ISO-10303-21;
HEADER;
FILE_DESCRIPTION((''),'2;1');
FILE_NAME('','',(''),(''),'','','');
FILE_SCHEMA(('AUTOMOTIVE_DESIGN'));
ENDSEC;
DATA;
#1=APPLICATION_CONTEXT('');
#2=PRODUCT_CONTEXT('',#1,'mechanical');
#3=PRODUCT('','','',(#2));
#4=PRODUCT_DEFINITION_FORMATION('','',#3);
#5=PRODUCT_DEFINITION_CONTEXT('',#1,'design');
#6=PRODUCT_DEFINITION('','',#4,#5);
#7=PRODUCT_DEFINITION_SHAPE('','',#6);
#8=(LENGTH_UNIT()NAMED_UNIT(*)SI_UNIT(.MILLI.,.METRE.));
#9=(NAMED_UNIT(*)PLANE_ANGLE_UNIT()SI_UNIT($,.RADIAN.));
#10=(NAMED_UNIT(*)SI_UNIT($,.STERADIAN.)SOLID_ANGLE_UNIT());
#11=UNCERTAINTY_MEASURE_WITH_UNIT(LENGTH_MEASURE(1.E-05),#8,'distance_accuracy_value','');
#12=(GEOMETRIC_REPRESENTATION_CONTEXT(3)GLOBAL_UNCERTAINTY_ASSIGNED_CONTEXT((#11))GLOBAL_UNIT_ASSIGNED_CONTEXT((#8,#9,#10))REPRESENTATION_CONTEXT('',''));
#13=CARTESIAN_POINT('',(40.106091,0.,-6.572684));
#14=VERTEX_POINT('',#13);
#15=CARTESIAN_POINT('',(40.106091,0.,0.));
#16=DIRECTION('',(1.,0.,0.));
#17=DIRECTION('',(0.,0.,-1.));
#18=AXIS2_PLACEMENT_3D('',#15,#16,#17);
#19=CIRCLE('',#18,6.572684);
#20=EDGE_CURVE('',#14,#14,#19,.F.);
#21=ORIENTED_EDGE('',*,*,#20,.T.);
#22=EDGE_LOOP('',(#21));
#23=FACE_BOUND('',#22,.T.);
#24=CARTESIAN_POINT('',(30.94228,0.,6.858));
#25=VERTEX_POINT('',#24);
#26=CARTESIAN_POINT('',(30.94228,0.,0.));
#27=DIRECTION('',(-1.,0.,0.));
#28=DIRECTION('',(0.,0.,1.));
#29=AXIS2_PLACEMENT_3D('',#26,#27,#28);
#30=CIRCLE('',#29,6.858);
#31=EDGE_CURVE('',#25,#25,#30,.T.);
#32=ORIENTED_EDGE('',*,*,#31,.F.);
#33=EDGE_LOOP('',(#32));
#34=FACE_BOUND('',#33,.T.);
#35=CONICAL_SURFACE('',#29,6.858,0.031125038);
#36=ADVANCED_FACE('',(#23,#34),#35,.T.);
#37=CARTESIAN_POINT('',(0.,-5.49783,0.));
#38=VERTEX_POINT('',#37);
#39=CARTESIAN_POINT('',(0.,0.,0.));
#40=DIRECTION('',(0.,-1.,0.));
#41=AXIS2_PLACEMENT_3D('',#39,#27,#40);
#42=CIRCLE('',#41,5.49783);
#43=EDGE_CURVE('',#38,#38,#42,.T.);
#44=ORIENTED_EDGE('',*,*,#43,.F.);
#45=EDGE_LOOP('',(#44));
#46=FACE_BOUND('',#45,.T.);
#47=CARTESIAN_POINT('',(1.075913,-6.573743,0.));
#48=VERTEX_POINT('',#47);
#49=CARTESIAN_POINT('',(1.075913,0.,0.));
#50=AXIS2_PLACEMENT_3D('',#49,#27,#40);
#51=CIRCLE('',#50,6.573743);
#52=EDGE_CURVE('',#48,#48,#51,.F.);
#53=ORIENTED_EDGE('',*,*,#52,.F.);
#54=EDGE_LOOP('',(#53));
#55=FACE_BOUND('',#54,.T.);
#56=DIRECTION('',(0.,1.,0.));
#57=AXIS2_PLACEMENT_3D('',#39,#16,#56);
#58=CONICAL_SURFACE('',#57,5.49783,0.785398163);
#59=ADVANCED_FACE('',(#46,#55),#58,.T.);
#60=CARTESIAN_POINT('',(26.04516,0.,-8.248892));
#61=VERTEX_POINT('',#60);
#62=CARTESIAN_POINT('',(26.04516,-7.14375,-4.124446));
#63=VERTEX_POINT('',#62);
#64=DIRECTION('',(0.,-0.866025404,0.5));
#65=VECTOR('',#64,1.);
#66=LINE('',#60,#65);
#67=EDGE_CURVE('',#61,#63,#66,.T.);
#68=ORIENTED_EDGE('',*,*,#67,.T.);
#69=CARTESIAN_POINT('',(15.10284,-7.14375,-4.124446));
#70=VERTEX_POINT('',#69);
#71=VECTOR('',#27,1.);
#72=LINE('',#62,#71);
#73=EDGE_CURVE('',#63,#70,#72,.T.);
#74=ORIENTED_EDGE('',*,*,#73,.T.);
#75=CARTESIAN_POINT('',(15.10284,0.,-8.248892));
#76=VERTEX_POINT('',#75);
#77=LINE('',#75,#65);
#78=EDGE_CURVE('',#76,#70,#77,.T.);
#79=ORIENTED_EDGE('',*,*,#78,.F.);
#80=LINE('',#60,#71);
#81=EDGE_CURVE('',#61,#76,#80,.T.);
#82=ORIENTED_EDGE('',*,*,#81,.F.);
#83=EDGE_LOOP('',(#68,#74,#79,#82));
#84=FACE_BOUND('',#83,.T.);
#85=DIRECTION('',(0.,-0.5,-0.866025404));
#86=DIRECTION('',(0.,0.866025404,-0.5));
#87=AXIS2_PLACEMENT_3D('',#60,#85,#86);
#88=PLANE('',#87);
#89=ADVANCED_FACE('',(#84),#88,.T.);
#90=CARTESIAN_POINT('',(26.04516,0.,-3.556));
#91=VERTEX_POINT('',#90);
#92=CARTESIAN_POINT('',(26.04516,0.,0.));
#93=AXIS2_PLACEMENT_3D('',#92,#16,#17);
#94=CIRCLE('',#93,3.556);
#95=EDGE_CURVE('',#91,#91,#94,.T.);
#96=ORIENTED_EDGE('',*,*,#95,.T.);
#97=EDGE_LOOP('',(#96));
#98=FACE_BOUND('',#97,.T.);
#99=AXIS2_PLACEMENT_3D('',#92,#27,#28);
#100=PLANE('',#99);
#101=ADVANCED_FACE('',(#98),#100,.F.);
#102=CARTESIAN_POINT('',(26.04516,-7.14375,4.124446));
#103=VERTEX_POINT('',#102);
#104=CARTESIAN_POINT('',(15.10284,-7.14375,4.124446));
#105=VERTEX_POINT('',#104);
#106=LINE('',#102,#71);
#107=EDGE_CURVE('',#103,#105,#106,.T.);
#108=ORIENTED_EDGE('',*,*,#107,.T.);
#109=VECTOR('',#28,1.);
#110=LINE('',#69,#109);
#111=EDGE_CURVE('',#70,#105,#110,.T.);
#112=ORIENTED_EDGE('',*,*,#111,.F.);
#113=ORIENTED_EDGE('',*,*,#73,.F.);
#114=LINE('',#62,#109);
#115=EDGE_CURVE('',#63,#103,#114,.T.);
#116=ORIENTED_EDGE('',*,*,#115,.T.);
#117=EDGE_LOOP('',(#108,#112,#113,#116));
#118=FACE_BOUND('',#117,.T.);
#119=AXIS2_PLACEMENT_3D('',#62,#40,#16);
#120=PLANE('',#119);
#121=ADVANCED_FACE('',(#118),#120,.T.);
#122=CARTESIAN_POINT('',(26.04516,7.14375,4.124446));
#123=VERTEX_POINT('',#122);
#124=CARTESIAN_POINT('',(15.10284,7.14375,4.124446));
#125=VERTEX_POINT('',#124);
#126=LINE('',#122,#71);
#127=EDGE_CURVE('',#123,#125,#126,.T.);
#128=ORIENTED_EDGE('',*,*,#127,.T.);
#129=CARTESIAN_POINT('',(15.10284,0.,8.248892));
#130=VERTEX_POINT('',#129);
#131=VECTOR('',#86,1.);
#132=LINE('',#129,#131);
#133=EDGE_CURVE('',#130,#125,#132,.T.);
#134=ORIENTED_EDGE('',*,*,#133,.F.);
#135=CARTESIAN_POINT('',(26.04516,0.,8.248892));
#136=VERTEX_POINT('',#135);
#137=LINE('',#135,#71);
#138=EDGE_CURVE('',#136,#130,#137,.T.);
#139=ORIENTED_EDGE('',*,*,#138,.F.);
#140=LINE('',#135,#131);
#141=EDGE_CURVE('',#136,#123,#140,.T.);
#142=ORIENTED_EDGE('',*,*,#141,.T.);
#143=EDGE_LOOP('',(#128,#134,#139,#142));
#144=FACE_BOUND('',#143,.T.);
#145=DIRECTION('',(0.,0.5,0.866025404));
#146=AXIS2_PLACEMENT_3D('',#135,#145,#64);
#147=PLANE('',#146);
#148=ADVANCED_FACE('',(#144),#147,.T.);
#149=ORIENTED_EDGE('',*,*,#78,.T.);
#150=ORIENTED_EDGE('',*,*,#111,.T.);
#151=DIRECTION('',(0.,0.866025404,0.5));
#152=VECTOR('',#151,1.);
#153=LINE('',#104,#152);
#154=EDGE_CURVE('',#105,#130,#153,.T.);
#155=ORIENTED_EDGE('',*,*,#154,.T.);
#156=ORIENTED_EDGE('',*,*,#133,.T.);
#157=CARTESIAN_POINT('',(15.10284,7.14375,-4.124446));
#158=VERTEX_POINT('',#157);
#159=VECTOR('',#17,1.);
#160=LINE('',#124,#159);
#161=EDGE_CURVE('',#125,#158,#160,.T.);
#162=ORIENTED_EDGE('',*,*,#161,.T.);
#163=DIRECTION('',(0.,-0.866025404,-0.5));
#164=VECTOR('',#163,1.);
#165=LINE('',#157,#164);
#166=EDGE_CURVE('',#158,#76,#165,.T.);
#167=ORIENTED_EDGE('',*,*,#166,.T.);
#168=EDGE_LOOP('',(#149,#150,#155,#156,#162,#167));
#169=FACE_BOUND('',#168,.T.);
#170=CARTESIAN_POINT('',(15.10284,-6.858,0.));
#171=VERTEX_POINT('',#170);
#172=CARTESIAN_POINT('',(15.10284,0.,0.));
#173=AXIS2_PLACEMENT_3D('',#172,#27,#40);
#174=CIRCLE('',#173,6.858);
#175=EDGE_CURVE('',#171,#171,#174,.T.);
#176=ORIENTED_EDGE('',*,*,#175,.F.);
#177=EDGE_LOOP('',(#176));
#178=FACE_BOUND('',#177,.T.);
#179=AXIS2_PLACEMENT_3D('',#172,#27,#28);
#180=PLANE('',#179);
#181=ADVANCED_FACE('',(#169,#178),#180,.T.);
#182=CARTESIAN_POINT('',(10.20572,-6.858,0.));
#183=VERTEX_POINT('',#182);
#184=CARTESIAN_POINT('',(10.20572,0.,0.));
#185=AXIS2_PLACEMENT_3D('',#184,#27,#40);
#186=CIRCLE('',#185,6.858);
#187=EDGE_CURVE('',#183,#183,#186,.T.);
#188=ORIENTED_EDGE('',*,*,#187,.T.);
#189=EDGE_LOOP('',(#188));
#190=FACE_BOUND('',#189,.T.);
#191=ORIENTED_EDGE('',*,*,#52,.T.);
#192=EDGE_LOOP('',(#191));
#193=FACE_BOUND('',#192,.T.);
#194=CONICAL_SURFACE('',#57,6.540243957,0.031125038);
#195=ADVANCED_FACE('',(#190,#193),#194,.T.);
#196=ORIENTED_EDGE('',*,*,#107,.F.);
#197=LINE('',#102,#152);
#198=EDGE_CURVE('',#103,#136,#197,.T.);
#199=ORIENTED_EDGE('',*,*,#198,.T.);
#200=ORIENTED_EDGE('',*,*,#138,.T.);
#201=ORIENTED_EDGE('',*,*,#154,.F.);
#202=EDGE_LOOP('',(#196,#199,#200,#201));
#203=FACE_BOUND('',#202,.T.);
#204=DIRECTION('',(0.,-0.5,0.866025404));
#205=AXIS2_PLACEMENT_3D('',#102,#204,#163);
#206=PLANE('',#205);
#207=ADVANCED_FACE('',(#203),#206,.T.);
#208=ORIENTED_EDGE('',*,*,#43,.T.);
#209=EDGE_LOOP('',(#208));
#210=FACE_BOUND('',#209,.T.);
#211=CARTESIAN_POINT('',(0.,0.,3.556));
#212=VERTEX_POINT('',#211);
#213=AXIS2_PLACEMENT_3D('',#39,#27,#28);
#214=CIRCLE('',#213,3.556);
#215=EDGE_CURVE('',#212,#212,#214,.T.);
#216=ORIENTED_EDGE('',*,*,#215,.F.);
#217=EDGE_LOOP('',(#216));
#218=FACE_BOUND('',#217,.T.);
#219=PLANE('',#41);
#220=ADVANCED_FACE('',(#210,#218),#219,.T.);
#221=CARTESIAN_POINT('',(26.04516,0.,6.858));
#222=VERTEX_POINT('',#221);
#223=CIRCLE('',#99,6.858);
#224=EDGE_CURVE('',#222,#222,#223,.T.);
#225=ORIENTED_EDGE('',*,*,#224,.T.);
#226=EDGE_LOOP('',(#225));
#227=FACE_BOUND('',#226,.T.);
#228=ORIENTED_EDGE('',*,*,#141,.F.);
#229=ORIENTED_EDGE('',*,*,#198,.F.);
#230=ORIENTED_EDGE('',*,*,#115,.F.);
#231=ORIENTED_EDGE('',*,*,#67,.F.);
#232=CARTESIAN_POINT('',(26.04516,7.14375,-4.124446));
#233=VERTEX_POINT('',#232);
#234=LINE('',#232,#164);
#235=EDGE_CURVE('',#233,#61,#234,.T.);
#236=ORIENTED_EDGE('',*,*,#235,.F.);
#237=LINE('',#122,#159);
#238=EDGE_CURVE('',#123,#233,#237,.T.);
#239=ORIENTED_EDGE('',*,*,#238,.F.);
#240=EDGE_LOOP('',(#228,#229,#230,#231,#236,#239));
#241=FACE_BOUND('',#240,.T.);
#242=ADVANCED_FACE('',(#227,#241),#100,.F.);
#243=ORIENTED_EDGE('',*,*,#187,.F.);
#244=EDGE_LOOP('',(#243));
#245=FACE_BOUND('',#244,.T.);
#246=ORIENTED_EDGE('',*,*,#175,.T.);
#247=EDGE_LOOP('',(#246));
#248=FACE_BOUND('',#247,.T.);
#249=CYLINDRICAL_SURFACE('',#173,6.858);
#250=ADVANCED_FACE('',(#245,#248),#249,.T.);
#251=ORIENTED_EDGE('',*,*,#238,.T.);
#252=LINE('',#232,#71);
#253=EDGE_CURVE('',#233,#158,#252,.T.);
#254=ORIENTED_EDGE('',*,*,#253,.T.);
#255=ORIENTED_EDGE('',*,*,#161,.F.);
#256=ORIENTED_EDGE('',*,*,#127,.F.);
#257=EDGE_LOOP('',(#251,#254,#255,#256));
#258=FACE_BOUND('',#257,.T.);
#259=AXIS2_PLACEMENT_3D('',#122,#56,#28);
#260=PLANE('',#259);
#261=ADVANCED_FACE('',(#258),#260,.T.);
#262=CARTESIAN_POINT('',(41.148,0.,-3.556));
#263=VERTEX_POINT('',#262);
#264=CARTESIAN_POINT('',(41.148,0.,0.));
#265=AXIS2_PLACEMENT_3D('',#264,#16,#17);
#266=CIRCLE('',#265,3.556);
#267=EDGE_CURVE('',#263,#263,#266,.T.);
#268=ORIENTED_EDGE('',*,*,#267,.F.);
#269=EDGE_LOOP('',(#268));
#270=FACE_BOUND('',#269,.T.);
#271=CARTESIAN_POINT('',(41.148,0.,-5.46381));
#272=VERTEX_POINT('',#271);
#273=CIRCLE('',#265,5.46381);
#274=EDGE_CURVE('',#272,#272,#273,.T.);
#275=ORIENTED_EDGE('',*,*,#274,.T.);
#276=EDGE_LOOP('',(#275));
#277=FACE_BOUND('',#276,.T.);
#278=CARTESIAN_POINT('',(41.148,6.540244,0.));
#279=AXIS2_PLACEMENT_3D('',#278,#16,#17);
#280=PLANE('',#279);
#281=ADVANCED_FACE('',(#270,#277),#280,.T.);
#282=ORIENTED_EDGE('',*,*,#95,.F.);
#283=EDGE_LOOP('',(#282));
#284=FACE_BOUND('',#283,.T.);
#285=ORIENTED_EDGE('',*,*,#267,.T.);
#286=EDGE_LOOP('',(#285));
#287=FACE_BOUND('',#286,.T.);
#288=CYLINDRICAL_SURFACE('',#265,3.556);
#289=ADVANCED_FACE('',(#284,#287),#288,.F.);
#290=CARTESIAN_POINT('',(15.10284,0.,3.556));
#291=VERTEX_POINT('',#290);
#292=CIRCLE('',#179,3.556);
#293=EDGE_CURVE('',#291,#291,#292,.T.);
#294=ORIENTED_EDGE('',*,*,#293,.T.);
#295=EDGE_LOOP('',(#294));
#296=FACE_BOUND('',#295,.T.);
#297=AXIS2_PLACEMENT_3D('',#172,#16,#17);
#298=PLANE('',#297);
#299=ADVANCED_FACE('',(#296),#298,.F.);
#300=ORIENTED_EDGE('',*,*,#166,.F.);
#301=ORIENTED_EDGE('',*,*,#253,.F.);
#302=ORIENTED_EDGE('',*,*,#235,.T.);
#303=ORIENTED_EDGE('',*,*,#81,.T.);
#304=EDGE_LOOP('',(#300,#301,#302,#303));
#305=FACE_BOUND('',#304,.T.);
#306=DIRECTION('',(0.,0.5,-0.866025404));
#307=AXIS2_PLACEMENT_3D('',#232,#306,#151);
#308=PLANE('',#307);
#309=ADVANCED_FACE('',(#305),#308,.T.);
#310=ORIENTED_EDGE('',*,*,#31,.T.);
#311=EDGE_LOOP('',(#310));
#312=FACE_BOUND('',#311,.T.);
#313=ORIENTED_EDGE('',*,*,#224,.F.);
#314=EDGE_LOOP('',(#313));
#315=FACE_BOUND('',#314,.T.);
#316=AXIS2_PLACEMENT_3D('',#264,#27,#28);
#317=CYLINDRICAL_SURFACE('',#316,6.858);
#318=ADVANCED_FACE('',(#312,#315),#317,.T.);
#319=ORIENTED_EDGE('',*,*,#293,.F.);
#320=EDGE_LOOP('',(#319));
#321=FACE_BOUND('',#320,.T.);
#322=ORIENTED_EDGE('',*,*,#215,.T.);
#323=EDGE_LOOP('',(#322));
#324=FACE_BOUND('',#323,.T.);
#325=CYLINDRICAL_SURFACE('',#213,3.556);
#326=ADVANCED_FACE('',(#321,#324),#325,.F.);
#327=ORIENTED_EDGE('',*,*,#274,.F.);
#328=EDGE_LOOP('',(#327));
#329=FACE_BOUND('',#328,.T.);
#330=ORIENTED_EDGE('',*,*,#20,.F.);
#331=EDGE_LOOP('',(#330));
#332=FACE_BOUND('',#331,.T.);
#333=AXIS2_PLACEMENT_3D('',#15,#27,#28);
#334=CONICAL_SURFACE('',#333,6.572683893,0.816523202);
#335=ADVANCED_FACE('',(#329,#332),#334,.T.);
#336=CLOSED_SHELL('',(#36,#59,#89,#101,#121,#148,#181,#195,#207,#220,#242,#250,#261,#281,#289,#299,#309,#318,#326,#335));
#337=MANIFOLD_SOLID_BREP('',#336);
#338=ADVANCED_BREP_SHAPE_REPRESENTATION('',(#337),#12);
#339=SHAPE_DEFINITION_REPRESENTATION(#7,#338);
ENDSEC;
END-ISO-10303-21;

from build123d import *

# Parameters (mm, degrees)
BOSS_EXTRUDE1_DEPTH         = 10.94232
F_1_4_CLEARANCE_HOLE1_D     = 7.112
F_1_4_CLEARANCE_HOLE1_DEPTH = 15.10284
F_1_4_CLEARANCE_HOLE2_D     = 7.112
F_1_4_CLEARANCE_HOLE2_DEPTH = 15.10284
CHAMFER1_SIZE2              = 1.076433961
CHAMFER1_SIZE               = 1.042413957
CHAMFER1_EDGE_2_SIZE2       = 1.042413957
CHAMFER1_EDGE_2_SIZE        = 1.076433961


with BuildPart() as part:
    # Sketch1 → Boss-Extrude1 (new body)
    with BuildSketch(Plane(origin=(15.10284, 0, 0), x_dir=(0, -1, 0), z_dir=(-1, 0, 0))):
        Polygon((7.14375, -4.124445986), (7.14375, 4.124445986), (0, 8.248891971), (-7.14375, 4.124445986), (-7.14375, -4.124445986), (0, -8.248891971), align=None)
    extrude(amount=-BOSS_EXTRUDE1_DEPTH)

    # Sketch2 → Revolve1 (revolve)
    with BuildSketch(Plane(origin=(0, 0, 0), x_dir=(-1, 0, 0), z_dir=(0, 0, -1))):
        Polygon((-41.148, 6.540243957), (-41.148, 0), (-26.04516, 0), (-26.04516, 6.858), (-30.94228, 6.858), align=None)
    revolve(axis=Axis((41.148, 0, 0), (-1, 0, 0)))

    # Sketch3 → Revolve2 (revolve)
    with BuildSketch(Plane(origin=(0, 0, 0), x_dir=(-1, 0, 0), z_dir=(0, 0, -1))):
        Polygon((-15.10284, 6.858), (-15.10284, 0), (0, 0), (0, 6.540243957), (-10.20572, 6.858), align=None)
    revolve(axis=Axis((15.10284, 0, 0), (-1, 0, 0)))

    # 1/4 Clearance Hole1
    with Locations(Plane(origin=(41.148, 0, 0), x_dir=(0, 0, -1), z_dir=(1, 0, 0))):
        with Locations((0, 0)):
            Hole(F_1_4_CLEARANCE_HOLE1_D / 2, depth=F_1_4_CLEARANCE_HOLE1_DEPTH)

    # 1/4 Clearance Hole2
    with Locations(Plane.ZY):
        with Locations((0, 0)):
            Hole(F_1_4_CLEARANCE_HOLE2_D / 2, depth=F_1_4_CLEARANCE_HOLE2_DEPTH)

    # Chamfer1
    chamfer1_edges = [part.edges().sort_by_distance(p)[0] for p in [
        (41.148, -6.540243957, 0),
    ]]
    chamfer(chamfer1_edges, length=CHAMFER1_SIZE, length2=CHAMFER1_SIZE2)

    # Chamfer1 edge 2
    chamfer1_edge_2_edges = [part.edges().sort_by_distance(p)[0] for p in [
        (0, -6.540243957, 0),
    ]]
    chamfer(chamfer1_edge_2_edges, length=CHAMFER1_EDGE_2_SIZE, length2=CHAMFER1_EDGE_2_SIZE2)


solid = part.part
